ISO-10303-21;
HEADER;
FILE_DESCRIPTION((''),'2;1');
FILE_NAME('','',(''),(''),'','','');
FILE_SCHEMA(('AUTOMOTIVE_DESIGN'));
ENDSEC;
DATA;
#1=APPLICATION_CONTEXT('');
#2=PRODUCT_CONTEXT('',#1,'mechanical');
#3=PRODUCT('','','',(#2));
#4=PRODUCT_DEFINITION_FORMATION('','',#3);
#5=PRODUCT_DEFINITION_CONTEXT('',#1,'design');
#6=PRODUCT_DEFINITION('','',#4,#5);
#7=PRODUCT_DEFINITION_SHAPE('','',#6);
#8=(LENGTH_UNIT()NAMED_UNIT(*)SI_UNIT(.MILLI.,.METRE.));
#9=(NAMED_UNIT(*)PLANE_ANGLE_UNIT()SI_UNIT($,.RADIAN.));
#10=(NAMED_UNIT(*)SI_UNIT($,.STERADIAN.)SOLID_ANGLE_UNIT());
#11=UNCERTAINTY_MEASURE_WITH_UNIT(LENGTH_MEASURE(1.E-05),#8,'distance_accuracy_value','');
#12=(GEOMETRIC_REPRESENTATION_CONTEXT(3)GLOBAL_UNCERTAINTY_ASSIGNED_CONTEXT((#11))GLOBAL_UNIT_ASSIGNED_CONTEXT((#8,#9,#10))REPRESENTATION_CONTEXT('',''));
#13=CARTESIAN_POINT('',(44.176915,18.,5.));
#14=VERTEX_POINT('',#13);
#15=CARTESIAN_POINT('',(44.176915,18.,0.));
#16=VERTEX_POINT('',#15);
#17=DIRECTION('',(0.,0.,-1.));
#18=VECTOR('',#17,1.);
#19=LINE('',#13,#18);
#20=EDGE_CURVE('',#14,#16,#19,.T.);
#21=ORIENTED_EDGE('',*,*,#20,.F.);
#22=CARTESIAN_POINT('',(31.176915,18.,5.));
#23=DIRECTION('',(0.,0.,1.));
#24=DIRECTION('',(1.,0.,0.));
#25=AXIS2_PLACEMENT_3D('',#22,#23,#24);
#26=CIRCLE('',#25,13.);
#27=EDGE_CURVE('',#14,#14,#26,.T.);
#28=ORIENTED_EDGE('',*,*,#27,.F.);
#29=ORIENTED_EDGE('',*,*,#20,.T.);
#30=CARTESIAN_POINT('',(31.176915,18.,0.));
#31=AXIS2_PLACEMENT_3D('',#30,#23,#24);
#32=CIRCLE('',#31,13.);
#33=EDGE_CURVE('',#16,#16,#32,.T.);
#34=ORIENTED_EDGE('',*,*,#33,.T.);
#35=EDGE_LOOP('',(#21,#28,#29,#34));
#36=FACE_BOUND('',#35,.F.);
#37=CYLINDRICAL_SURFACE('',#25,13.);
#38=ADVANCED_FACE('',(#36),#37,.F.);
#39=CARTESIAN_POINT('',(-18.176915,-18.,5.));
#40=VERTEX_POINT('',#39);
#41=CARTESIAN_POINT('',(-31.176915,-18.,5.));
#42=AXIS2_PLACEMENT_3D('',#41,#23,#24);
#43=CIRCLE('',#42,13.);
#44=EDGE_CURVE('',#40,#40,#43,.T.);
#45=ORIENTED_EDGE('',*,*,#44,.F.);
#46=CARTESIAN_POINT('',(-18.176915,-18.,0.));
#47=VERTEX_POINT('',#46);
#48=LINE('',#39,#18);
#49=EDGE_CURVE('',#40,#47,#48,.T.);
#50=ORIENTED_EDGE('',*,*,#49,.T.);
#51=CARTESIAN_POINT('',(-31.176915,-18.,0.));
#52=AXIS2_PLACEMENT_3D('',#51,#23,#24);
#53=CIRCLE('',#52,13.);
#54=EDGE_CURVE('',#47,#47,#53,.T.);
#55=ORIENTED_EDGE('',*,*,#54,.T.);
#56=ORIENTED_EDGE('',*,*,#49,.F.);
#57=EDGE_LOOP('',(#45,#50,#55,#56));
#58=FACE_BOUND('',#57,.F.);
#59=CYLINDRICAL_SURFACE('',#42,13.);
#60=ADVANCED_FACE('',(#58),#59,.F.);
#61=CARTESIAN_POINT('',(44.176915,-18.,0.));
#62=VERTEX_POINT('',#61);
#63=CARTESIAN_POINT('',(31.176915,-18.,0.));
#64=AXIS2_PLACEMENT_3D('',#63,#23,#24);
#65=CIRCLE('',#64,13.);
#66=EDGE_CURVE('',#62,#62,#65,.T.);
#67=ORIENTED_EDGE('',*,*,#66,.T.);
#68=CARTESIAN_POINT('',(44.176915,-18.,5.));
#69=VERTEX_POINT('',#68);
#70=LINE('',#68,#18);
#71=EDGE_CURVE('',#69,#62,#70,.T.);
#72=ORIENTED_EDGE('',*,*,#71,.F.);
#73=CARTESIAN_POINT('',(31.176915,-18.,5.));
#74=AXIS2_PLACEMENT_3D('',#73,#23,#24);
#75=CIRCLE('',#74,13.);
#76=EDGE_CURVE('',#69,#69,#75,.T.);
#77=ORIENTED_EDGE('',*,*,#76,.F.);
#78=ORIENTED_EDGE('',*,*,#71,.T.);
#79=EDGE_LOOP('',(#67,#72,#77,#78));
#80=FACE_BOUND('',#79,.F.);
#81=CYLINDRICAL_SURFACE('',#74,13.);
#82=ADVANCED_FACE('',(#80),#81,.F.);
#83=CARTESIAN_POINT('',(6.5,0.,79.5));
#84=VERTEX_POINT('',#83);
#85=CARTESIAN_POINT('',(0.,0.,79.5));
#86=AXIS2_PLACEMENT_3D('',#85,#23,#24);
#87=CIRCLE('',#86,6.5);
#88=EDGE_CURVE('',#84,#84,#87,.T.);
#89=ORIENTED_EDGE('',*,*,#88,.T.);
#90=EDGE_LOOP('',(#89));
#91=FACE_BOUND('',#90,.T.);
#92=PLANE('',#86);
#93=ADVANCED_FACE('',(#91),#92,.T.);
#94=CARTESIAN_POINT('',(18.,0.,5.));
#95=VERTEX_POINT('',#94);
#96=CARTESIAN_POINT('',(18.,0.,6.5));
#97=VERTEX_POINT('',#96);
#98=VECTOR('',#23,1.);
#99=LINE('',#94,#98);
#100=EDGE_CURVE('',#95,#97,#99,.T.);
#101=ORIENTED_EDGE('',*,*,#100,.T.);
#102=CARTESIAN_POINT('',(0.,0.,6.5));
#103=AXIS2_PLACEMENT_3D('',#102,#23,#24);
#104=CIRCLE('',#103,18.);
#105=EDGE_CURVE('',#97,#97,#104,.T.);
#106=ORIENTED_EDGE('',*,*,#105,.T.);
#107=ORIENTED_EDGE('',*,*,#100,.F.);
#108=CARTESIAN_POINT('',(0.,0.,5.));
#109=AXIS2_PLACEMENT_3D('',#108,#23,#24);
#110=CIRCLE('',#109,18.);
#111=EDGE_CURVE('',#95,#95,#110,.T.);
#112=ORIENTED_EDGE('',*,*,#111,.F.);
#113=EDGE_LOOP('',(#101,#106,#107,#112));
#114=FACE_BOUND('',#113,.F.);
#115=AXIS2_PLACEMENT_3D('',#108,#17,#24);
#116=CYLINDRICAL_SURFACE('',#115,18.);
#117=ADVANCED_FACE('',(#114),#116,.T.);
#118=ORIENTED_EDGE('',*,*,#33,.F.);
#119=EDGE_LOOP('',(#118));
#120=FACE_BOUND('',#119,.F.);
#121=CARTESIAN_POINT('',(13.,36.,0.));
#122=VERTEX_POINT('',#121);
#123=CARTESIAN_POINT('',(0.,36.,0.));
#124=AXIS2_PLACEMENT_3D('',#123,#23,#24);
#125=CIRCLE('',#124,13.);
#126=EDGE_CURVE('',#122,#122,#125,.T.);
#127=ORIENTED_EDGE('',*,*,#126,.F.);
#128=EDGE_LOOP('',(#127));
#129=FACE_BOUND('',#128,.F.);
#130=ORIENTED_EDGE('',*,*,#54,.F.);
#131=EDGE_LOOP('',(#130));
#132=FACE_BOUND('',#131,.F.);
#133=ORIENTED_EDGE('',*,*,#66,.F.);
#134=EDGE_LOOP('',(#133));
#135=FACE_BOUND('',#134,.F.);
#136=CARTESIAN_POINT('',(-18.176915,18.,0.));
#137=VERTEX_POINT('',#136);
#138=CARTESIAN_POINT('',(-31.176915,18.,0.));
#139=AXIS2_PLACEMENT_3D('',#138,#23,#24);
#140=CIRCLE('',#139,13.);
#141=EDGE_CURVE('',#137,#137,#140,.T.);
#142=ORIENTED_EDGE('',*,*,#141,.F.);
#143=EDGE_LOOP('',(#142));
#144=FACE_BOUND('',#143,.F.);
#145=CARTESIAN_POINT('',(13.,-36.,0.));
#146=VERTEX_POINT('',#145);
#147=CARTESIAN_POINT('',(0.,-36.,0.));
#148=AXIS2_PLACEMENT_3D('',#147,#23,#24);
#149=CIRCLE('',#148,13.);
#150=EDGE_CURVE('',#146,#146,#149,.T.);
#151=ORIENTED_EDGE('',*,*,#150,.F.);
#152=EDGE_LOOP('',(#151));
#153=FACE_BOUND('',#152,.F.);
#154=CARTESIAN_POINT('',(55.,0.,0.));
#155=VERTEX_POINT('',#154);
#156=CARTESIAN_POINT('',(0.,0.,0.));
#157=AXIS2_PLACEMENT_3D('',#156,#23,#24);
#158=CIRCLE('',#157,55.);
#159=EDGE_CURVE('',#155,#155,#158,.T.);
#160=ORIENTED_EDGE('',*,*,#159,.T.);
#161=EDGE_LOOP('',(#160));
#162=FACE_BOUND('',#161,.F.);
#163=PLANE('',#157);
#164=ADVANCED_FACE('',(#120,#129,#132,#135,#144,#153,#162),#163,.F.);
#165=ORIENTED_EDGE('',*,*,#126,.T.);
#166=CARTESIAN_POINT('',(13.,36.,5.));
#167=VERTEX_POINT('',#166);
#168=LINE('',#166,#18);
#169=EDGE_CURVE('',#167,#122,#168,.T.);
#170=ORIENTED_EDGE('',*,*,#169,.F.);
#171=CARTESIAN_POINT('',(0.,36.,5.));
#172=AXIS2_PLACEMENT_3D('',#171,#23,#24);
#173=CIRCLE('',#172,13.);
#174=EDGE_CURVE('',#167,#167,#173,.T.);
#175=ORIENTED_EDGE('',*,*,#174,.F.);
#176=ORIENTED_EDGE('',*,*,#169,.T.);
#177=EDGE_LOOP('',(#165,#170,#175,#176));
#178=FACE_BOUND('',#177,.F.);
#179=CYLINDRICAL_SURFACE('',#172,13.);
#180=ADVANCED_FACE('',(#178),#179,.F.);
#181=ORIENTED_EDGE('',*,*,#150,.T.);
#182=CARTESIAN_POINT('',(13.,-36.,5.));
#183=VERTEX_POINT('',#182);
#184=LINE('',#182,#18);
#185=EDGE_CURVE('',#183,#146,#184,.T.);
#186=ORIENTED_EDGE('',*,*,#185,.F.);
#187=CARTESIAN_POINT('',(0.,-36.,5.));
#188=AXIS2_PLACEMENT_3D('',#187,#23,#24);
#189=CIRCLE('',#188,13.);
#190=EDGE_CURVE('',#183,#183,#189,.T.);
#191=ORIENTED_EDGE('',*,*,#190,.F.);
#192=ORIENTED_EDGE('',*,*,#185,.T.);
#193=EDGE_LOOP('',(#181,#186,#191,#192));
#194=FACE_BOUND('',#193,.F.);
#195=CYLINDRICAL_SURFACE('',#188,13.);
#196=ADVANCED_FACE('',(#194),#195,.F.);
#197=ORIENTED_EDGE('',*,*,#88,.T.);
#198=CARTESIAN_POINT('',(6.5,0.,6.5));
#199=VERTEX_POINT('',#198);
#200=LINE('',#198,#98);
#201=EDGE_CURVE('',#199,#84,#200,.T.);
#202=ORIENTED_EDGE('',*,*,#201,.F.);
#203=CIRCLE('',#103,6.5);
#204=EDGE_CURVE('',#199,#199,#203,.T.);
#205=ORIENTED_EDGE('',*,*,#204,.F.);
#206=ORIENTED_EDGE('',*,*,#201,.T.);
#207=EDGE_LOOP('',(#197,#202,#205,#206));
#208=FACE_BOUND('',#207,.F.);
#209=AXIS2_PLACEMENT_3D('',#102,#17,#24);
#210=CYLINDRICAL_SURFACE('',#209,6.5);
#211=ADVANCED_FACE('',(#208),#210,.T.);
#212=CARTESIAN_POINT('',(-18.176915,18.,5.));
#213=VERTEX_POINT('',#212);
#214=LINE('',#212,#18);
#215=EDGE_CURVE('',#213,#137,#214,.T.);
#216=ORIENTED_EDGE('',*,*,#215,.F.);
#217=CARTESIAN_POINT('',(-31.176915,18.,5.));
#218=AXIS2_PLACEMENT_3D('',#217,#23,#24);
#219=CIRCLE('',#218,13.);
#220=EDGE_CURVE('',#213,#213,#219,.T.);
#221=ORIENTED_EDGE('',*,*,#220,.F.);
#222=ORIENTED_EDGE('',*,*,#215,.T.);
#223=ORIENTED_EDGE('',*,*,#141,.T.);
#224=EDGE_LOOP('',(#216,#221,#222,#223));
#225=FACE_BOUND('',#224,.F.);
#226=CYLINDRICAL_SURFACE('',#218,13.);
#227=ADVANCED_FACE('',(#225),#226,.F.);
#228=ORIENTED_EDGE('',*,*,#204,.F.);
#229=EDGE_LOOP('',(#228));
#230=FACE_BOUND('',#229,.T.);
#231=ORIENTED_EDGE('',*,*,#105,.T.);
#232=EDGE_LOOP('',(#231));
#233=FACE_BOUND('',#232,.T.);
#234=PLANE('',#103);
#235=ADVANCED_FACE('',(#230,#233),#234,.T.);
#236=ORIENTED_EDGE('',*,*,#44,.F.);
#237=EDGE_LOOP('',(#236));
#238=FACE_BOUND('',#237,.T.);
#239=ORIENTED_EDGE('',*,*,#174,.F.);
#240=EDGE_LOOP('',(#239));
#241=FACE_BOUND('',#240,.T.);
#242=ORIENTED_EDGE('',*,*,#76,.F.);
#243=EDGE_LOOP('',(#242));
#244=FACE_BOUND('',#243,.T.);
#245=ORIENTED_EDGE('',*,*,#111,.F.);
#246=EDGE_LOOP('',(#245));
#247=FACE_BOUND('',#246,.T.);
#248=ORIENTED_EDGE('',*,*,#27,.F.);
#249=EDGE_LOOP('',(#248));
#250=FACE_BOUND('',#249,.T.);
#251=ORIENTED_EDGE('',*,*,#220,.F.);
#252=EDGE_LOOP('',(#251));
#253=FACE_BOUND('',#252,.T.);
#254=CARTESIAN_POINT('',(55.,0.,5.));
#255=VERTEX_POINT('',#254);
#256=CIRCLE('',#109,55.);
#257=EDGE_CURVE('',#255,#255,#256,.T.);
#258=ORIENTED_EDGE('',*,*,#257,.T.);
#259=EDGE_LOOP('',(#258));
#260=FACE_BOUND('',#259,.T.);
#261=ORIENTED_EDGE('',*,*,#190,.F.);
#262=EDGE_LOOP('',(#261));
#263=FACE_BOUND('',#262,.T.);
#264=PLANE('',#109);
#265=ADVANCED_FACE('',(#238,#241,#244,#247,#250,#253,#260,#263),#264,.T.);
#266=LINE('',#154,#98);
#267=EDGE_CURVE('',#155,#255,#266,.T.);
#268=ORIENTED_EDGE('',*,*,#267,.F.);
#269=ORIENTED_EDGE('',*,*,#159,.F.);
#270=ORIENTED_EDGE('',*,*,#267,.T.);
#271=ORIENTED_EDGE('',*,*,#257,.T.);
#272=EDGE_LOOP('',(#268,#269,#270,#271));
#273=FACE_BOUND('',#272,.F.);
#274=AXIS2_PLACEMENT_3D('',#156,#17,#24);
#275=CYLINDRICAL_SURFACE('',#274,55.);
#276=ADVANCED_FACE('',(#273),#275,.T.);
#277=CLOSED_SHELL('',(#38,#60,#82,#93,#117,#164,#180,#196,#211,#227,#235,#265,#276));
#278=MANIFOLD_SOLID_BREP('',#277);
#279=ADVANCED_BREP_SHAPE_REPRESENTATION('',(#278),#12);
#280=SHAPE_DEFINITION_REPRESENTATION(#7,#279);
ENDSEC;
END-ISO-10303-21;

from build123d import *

# Parameters (mm, degrees)
F0_R     = 55
F1_DEPTH = 5
F2_R     = 18
F3_DEPTH = 1.5
F4_R     = 6.5
F5_DEPTH = 73
F6_R     = 13
F7_DEPTH = 5.001


with BuildPart() as f1:
    # F0 (on Top) → F1 (new body)
    with BuildSketch(Plane.XY):
        Circle(F0_R)
    extrude(amount=F1_DEPTH)

    # F2 (on face) → F3 (join)
    with BuildSketch(Plane.XY.offset(5)):
        Circle(F2_R)
    extrude(amount=F3_DEPTH)

    # F4 (on face) → F5 (join)
    with BuildSketch(Plane.XY.offset(6.5)):
        Circle(F4_R)
    extrude(amount=F5_DEPTH)

    # F6 (on face) → F7 (cut, through all)
    with BuildSketch(Plane.XY.offset(5)):
        with Locations((0, 36)):
            Circle(F6_R)
        with Locations((-31.176915, 18)):
            Circle(F6_R)
        with Locations((-31.176915, -18)):
            Circle(F6_R)
        with Locations((0, -36)):
            Circle(F6_R)
        with Locations((31.176915, -18)):
            Circle(F6_R)
        with Locations((31.176915, 18)):
            Circle(F6_R)
    extrude(amount=-F7_DEPTH, mode=Mode.SUBTRACT)


solid = f1.part
